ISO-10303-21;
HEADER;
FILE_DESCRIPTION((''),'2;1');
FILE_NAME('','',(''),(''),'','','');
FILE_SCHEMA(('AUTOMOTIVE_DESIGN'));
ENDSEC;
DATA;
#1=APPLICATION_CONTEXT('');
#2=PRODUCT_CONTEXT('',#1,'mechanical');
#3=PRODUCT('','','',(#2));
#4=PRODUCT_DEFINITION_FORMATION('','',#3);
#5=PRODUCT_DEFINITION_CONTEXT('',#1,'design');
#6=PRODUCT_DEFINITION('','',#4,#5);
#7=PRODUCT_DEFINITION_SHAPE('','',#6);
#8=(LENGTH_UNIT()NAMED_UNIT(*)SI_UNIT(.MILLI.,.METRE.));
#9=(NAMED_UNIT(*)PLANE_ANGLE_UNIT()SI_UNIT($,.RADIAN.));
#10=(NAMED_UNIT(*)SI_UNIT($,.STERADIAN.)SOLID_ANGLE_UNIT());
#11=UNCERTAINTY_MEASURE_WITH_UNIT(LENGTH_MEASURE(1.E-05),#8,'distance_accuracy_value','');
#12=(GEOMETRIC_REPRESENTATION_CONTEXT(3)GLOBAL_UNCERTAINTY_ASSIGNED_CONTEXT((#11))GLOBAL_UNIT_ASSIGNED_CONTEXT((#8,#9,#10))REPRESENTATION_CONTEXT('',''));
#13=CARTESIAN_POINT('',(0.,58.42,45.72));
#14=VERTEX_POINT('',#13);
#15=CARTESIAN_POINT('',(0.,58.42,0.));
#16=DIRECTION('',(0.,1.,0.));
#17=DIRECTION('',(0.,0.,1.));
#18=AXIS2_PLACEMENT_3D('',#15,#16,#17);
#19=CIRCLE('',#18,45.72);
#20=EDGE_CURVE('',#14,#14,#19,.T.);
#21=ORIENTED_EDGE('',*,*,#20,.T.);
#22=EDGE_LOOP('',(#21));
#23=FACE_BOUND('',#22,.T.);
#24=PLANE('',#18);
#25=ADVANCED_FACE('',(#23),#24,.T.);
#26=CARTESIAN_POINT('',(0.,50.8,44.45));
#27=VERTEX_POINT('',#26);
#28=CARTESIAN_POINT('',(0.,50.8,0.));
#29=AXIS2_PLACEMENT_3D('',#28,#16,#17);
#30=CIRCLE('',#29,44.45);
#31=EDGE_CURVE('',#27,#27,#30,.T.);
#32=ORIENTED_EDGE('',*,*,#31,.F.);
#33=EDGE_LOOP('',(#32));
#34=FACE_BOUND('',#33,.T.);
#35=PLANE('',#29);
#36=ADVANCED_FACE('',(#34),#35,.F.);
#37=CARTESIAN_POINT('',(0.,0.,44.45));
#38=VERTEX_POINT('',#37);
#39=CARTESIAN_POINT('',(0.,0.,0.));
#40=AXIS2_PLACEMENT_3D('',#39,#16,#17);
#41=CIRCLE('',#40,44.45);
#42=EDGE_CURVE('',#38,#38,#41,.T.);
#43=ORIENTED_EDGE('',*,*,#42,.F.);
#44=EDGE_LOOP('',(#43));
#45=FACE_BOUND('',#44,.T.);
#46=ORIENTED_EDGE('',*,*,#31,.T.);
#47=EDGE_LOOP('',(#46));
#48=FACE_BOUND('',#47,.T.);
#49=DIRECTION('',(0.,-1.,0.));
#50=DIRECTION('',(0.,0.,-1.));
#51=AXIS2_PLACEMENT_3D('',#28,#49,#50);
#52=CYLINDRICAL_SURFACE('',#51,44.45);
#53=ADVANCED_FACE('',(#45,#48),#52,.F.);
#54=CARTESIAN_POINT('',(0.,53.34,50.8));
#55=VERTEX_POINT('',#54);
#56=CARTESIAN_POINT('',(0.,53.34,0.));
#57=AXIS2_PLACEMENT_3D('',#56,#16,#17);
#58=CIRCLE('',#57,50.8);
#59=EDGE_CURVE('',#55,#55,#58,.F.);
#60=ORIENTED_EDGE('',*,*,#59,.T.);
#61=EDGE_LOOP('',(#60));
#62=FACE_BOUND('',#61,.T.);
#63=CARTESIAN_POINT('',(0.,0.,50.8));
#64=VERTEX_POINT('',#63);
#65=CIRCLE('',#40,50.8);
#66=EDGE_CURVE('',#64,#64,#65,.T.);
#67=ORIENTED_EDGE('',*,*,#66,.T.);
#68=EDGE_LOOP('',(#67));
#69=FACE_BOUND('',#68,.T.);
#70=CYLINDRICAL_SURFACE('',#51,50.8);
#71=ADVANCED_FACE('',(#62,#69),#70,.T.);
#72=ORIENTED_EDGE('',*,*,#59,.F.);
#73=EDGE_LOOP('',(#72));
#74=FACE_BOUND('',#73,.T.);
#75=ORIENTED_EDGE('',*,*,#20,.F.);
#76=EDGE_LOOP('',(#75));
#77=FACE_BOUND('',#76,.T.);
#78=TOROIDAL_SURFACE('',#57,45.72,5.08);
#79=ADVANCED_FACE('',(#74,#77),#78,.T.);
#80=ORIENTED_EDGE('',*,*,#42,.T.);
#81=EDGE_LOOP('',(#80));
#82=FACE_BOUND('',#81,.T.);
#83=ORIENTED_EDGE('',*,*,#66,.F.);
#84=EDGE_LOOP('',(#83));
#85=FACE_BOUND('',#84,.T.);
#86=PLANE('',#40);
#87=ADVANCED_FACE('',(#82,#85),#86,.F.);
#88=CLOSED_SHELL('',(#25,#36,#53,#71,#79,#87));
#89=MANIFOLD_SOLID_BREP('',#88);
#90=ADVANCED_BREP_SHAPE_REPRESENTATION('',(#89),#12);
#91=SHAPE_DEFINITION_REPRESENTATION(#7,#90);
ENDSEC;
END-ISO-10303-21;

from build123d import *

# Parameters (mm, degrees)
SKETCH2_R           = 50.8
SKETCH2_R_2         = 44.45
BOSS_EXTRUDE2_DEPTH = 50.8
SKETCH6_R           = 50.8
BOSS_EXTRUDE3_DEPTH = 7.62
FILLET1_R           = 5.08


with BuildPart() as part:
    # Sketch2 → Boss-Extrude2 (new body)
    with BuildSketch(Plane(origin=(0, 0, 0), x_dir=(1, 0, 0), z_dir=(0, 1, 0))):
        Circle(SKETCH2_R)
        Circle(SKETCH2_R_2, mode=Mode.SUBTRACT)
    extrude(amount=BOSS_EXTRUDE2_DEPTH)

    # Sketch6 → Boss-Extrude3 (add)
    with BuildSketch(Plane(origin=(0, 50.8, 0), x_dir=(1, 0, 0), z_dir=(0, 1, 0))):
        Circle(SKETCH6_R)
    extrude(amount=BOSS_EXTRUDE3_DEPTH)

    # Fillet1
    fillet1_edges = [part.edges().sort_by_distance(p)[0] for p in [
        (-50.8, 58.42, 0),
    ]]
    fillet(fillet1_edges, radius=FILLET1_R)


solid = part.part
